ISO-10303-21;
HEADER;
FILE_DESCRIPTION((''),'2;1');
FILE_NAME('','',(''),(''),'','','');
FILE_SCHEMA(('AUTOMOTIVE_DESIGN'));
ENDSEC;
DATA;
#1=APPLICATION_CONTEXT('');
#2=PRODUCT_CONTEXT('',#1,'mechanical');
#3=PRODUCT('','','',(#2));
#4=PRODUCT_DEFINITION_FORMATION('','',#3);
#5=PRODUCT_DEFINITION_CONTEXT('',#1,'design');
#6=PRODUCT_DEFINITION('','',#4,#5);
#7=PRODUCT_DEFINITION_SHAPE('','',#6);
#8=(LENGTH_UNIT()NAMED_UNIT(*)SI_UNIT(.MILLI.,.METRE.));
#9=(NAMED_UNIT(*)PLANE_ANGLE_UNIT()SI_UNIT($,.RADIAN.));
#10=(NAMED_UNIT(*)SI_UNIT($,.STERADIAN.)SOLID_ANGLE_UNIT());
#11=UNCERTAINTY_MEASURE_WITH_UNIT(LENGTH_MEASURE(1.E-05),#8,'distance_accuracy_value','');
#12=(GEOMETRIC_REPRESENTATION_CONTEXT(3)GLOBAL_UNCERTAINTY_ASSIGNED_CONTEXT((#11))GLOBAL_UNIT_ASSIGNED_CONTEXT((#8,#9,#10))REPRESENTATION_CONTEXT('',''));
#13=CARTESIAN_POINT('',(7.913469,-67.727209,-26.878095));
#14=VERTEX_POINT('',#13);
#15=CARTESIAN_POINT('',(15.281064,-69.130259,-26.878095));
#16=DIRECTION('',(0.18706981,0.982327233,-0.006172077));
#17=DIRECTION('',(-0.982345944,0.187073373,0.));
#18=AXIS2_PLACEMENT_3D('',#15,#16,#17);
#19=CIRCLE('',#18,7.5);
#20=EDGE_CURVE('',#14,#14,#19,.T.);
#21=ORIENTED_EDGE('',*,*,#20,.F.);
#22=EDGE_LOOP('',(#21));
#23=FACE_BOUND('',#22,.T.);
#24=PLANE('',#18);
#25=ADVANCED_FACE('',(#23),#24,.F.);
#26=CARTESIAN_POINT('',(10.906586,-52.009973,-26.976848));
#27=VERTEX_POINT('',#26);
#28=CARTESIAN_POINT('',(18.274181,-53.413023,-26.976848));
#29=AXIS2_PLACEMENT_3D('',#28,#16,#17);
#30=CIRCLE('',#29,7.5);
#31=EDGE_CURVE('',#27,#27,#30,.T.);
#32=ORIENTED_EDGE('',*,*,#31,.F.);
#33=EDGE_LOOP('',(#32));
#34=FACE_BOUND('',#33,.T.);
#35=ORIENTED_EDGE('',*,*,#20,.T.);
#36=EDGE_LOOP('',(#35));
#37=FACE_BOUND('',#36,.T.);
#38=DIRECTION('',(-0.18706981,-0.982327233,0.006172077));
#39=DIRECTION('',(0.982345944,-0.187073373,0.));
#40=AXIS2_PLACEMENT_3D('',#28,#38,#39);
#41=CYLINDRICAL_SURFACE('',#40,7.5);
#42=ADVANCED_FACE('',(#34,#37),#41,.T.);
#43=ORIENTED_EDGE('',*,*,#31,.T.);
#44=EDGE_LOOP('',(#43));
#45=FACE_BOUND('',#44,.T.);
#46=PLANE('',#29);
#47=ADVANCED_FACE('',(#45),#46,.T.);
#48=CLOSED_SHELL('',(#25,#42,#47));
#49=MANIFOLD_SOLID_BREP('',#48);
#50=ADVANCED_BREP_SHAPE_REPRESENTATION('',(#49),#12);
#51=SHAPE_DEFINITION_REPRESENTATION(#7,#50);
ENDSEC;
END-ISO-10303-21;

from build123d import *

# Parameters (mm, degrees)
SKETCH_3_R      = 7.5
EXTRUDE_1_DEPTH = 16


with BuildPart() as part:
    # 草图3 → 凸台-拉伸1 (new body)
    with BuildSketch(Plane(origin=(-12.137840646, -63.73733646, 0.400469163), x_dir=(-0.9772888334706439, 0.18546622246719147, -0.10251251775923895), z_dir=(0.18706980982149188, 0.9823272325023449, -0.006172077254473404))):
        with Locations(Location((-25, -30, 0), (0, 0, 5.883983356))):
            Circle(SKETCH_3_R)
    extrude(amount=EXTRUDE_1_DEPTH)


solid = part.part
